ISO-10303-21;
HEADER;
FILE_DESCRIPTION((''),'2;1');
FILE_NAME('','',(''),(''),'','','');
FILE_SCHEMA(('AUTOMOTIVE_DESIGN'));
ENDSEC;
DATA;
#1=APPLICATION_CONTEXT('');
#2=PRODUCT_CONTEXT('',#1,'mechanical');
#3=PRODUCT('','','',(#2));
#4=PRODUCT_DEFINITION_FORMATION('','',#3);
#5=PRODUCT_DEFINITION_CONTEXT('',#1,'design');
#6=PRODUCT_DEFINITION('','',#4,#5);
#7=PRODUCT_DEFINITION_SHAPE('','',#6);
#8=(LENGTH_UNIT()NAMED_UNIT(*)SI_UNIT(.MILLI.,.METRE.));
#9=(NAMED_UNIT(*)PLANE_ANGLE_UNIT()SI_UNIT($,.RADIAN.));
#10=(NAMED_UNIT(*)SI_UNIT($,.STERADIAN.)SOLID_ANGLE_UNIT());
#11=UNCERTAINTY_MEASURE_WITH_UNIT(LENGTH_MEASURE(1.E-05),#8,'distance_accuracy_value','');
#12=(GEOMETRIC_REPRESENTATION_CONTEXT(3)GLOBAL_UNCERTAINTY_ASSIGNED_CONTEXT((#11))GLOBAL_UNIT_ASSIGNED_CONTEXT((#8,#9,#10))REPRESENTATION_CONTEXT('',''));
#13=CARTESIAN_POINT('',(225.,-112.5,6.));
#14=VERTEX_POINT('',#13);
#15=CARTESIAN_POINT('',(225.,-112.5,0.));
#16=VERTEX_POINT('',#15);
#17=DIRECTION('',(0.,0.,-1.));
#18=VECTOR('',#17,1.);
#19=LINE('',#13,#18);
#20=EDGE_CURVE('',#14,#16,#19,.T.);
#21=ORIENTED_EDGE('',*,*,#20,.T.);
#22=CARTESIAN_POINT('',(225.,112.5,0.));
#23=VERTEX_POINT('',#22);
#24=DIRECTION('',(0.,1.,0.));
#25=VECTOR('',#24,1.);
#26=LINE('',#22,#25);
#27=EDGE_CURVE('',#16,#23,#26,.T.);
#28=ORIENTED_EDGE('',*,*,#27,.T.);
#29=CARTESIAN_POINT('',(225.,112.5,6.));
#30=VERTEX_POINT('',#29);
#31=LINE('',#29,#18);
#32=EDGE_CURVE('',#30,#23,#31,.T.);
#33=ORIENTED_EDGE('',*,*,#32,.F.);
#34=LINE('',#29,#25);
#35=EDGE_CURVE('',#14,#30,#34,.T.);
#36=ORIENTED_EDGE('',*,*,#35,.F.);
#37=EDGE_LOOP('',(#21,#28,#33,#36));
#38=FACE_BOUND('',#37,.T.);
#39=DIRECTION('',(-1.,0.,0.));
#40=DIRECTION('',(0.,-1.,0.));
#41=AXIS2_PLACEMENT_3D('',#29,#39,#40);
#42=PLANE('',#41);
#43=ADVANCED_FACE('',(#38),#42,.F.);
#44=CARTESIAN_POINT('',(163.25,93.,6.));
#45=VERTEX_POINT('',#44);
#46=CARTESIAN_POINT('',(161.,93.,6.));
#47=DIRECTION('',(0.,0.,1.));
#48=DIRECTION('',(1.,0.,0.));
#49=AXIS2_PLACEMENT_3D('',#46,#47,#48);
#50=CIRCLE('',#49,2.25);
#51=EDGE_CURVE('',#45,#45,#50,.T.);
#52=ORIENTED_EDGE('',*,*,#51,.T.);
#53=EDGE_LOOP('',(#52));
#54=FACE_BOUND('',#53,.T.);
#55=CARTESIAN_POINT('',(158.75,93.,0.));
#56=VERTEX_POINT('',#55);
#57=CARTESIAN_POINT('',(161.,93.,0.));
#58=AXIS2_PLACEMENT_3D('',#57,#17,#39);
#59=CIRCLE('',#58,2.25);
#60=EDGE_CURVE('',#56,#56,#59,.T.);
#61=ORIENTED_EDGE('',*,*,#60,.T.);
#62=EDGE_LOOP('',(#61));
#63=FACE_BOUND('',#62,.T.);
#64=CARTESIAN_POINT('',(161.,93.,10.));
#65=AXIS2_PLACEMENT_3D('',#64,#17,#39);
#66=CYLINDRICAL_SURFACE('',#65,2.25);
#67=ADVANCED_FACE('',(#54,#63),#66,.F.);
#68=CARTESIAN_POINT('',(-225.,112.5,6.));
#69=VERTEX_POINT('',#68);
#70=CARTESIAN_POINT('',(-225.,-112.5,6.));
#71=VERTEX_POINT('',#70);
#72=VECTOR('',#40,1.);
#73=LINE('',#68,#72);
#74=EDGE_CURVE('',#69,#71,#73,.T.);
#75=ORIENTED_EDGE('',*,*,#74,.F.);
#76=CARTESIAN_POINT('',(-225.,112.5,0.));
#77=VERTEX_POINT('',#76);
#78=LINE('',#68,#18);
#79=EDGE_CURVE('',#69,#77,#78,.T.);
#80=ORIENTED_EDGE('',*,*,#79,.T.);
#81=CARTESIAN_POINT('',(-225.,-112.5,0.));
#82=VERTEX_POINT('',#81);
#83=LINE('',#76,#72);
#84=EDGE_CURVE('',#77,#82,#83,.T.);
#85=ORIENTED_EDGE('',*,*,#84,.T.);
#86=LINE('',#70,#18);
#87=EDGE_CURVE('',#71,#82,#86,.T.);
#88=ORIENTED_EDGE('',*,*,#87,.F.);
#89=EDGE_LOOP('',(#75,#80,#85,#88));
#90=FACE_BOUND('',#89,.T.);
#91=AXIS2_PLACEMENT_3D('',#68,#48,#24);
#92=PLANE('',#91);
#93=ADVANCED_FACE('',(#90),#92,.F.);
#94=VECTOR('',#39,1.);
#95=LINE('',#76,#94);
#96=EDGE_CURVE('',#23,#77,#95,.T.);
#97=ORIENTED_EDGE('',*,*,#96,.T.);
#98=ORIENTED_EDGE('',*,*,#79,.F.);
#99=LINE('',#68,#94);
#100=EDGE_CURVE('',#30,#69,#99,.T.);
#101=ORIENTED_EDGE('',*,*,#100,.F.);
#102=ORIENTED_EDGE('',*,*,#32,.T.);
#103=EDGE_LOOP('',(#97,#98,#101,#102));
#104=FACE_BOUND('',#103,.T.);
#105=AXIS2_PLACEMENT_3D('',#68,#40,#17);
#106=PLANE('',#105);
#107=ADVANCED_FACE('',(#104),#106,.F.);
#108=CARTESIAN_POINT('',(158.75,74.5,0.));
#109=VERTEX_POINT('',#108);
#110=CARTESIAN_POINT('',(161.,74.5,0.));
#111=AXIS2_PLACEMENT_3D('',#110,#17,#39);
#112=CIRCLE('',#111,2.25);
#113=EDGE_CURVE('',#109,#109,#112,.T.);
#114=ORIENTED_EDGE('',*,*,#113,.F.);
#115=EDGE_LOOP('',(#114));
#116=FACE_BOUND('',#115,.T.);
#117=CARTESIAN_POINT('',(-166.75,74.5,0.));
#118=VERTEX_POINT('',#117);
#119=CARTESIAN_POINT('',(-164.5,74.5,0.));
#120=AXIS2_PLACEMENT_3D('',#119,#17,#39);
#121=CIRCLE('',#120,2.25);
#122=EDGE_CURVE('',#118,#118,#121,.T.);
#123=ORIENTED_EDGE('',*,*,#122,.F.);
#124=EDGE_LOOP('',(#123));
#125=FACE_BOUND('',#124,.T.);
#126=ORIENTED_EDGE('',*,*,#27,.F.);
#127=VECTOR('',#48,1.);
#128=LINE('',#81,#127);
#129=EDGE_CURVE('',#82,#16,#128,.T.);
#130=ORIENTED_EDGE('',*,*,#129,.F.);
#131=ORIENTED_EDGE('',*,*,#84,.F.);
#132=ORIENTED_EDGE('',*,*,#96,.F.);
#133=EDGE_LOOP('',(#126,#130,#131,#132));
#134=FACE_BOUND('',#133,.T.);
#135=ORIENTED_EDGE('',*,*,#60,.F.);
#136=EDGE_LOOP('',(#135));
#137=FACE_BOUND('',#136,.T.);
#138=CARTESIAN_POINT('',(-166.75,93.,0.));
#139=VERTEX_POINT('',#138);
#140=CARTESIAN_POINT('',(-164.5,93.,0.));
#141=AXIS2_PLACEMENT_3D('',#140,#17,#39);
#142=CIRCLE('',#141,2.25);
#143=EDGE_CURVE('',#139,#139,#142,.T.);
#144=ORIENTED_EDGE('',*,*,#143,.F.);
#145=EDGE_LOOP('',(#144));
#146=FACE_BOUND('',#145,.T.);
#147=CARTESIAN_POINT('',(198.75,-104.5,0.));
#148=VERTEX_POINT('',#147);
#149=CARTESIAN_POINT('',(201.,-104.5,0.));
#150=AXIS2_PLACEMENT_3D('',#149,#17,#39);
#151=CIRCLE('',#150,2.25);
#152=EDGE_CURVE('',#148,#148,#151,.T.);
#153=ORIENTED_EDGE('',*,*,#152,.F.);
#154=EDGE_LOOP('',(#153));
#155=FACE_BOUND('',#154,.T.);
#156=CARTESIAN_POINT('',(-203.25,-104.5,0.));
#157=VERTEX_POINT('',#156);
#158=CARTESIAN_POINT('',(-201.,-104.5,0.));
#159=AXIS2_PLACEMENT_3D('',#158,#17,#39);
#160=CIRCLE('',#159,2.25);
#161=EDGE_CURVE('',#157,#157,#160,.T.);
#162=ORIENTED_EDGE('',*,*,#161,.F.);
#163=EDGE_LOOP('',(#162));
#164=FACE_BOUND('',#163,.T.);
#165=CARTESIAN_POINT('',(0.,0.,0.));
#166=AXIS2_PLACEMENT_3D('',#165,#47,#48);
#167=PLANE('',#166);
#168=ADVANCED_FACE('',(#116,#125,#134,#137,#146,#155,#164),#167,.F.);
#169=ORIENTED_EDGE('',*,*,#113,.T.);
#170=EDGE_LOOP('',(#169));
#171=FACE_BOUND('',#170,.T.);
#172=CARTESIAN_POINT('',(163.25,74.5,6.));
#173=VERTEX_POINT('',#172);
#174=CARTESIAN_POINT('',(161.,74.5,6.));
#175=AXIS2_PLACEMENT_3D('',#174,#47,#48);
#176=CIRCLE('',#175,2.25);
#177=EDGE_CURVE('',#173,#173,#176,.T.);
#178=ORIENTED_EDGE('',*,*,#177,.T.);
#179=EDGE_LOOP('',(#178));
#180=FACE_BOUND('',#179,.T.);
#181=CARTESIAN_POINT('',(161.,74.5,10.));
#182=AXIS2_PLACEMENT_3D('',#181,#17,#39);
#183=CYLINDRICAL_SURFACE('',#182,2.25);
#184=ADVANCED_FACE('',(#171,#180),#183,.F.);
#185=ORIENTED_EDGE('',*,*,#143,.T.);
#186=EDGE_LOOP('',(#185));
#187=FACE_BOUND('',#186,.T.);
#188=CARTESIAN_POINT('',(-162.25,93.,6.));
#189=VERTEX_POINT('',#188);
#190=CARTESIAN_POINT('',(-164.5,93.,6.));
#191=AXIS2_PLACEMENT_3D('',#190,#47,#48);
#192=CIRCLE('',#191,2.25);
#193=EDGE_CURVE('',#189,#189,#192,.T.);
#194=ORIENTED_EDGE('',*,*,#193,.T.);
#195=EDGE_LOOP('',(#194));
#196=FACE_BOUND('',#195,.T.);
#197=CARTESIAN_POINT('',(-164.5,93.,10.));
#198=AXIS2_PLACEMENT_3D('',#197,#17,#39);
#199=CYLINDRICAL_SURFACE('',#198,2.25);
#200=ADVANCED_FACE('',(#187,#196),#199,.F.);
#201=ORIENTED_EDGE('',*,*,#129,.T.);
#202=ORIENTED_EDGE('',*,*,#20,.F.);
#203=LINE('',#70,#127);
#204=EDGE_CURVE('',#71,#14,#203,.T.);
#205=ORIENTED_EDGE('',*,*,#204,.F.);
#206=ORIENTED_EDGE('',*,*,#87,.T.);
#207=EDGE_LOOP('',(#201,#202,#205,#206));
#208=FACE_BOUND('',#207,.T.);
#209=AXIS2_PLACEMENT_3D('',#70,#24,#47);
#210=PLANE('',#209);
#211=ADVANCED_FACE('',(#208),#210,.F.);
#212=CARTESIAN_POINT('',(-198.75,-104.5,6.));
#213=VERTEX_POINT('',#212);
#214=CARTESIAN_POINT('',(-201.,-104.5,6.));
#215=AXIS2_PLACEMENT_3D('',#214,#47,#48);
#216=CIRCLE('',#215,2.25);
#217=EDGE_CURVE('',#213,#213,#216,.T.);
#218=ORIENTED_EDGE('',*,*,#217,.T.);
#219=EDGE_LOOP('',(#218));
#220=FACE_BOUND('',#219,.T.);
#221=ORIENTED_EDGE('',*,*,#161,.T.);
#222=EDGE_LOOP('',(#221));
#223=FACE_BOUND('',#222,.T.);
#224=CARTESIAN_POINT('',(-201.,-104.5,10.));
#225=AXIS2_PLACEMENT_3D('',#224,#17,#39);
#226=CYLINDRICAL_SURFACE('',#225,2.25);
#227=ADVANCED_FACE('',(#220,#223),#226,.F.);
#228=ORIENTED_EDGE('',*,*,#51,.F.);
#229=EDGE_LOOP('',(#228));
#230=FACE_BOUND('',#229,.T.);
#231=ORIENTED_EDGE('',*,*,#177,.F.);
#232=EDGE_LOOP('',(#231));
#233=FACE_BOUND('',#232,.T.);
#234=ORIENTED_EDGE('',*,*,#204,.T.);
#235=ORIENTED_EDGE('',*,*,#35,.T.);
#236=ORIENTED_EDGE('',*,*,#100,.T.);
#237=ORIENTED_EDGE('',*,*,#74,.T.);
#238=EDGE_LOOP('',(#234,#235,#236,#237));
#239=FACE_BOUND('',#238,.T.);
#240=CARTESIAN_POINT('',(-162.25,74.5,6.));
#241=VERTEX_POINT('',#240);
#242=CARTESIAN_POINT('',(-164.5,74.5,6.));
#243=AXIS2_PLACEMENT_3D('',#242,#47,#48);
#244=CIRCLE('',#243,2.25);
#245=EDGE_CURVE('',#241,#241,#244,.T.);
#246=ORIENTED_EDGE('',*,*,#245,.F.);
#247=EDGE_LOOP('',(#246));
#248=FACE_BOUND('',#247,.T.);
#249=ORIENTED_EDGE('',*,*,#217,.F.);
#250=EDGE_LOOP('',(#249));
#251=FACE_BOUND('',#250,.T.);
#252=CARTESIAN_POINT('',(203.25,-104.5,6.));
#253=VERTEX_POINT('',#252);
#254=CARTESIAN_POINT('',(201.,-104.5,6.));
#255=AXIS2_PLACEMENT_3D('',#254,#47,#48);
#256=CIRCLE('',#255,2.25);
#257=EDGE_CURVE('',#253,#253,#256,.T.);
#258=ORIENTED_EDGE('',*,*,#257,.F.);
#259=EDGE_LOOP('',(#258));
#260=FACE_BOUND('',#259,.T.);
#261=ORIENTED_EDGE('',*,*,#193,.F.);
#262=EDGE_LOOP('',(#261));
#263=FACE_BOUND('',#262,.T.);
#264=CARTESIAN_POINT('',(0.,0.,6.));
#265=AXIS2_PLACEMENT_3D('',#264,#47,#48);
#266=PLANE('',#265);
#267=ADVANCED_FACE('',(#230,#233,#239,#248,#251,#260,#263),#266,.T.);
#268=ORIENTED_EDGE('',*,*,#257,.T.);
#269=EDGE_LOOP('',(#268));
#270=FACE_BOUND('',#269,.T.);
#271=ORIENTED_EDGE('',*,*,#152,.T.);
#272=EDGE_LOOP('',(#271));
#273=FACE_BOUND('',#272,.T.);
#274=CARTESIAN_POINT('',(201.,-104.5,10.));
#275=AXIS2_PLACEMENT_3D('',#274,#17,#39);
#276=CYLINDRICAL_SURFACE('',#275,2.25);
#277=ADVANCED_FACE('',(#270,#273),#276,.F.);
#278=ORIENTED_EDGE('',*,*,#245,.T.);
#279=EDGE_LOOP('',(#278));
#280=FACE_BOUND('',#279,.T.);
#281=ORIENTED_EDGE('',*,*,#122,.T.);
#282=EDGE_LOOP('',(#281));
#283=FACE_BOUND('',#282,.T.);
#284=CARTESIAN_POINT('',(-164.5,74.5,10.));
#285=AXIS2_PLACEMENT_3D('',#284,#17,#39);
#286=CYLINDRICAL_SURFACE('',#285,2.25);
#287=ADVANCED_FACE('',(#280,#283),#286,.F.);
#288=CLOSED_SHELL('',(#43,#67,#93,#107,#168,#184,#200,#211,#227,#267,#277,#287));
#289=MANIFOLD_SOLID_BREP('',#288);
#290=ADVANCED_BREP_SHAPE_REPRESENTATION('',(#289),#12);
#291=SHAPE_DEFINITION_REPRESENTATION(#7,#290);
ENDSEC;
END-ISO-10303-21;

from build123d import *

# Parameters (mm, degrees)
SCHIZZO1_W                   = 450
SCHIZZO1_H                   = 225
ESTRUSIONE_ESTRUSIONE1_DEPTH = 6
SCHIZZO2_R                   = 2.25
TAGLIO_ESTRUSIONE1_DEPTH     = 10
SCHIZZO3_R                   = 2.25
TAGLIO_ESTRUSIONE2_DEPTH     = 10


with BuildPart() as part:
    # Schizzo1 → Estrusione-Estrusione1 (new body)
    with BuildSketch(Plane.XY):
        Rectangle(SCHIZZO1_W, SCHIZZO1_H)
    extrude(amount=ESTRUSIONE_ESTRUSIONE1_DEPTH)

    # Schizzo2 → Taglio-Estrusione1 (cut)
    with BuildSketch(Plane(origin=(0, 0, 0), x_dir=(-1, 0, 0), z_dir=(0, 0, -1))):
        with Locations((-161, 93)):
            Circle(SCHIZZO2_R)
        with Locations((-161, 74.5)):
            Circle(SCHIZZO2_R)
        with Locations((164.5, 93)):
            Circle(SCHIZZO2_R)
        with Locations((164.5, 74.5)):
            Circle(SCHIZZO2_R)
    extrude(amount=-TAGLIO_ESTRUSIONE1_DEPTH, mode=Mode.SUBTRACT)

    # Schizzo3 → Taglio-Estrusione2 (cut)
    with BuildSketch(Plane(origin=(0, 0, 0), x_dir=(-1, 0, 0), z_dir=(0, 0, -1))):
        with Locations((201, -104.5)):
            Circle(SCHIZZO3_R)
        with Locations((-201, -104.5)):
            Circle(SCHIZZO3_R)
    extrude(amount=-TAGLIO_ESTRUSIONE2_DEPTH, mode=Mode.SUBTRACT)


solid = part.part
